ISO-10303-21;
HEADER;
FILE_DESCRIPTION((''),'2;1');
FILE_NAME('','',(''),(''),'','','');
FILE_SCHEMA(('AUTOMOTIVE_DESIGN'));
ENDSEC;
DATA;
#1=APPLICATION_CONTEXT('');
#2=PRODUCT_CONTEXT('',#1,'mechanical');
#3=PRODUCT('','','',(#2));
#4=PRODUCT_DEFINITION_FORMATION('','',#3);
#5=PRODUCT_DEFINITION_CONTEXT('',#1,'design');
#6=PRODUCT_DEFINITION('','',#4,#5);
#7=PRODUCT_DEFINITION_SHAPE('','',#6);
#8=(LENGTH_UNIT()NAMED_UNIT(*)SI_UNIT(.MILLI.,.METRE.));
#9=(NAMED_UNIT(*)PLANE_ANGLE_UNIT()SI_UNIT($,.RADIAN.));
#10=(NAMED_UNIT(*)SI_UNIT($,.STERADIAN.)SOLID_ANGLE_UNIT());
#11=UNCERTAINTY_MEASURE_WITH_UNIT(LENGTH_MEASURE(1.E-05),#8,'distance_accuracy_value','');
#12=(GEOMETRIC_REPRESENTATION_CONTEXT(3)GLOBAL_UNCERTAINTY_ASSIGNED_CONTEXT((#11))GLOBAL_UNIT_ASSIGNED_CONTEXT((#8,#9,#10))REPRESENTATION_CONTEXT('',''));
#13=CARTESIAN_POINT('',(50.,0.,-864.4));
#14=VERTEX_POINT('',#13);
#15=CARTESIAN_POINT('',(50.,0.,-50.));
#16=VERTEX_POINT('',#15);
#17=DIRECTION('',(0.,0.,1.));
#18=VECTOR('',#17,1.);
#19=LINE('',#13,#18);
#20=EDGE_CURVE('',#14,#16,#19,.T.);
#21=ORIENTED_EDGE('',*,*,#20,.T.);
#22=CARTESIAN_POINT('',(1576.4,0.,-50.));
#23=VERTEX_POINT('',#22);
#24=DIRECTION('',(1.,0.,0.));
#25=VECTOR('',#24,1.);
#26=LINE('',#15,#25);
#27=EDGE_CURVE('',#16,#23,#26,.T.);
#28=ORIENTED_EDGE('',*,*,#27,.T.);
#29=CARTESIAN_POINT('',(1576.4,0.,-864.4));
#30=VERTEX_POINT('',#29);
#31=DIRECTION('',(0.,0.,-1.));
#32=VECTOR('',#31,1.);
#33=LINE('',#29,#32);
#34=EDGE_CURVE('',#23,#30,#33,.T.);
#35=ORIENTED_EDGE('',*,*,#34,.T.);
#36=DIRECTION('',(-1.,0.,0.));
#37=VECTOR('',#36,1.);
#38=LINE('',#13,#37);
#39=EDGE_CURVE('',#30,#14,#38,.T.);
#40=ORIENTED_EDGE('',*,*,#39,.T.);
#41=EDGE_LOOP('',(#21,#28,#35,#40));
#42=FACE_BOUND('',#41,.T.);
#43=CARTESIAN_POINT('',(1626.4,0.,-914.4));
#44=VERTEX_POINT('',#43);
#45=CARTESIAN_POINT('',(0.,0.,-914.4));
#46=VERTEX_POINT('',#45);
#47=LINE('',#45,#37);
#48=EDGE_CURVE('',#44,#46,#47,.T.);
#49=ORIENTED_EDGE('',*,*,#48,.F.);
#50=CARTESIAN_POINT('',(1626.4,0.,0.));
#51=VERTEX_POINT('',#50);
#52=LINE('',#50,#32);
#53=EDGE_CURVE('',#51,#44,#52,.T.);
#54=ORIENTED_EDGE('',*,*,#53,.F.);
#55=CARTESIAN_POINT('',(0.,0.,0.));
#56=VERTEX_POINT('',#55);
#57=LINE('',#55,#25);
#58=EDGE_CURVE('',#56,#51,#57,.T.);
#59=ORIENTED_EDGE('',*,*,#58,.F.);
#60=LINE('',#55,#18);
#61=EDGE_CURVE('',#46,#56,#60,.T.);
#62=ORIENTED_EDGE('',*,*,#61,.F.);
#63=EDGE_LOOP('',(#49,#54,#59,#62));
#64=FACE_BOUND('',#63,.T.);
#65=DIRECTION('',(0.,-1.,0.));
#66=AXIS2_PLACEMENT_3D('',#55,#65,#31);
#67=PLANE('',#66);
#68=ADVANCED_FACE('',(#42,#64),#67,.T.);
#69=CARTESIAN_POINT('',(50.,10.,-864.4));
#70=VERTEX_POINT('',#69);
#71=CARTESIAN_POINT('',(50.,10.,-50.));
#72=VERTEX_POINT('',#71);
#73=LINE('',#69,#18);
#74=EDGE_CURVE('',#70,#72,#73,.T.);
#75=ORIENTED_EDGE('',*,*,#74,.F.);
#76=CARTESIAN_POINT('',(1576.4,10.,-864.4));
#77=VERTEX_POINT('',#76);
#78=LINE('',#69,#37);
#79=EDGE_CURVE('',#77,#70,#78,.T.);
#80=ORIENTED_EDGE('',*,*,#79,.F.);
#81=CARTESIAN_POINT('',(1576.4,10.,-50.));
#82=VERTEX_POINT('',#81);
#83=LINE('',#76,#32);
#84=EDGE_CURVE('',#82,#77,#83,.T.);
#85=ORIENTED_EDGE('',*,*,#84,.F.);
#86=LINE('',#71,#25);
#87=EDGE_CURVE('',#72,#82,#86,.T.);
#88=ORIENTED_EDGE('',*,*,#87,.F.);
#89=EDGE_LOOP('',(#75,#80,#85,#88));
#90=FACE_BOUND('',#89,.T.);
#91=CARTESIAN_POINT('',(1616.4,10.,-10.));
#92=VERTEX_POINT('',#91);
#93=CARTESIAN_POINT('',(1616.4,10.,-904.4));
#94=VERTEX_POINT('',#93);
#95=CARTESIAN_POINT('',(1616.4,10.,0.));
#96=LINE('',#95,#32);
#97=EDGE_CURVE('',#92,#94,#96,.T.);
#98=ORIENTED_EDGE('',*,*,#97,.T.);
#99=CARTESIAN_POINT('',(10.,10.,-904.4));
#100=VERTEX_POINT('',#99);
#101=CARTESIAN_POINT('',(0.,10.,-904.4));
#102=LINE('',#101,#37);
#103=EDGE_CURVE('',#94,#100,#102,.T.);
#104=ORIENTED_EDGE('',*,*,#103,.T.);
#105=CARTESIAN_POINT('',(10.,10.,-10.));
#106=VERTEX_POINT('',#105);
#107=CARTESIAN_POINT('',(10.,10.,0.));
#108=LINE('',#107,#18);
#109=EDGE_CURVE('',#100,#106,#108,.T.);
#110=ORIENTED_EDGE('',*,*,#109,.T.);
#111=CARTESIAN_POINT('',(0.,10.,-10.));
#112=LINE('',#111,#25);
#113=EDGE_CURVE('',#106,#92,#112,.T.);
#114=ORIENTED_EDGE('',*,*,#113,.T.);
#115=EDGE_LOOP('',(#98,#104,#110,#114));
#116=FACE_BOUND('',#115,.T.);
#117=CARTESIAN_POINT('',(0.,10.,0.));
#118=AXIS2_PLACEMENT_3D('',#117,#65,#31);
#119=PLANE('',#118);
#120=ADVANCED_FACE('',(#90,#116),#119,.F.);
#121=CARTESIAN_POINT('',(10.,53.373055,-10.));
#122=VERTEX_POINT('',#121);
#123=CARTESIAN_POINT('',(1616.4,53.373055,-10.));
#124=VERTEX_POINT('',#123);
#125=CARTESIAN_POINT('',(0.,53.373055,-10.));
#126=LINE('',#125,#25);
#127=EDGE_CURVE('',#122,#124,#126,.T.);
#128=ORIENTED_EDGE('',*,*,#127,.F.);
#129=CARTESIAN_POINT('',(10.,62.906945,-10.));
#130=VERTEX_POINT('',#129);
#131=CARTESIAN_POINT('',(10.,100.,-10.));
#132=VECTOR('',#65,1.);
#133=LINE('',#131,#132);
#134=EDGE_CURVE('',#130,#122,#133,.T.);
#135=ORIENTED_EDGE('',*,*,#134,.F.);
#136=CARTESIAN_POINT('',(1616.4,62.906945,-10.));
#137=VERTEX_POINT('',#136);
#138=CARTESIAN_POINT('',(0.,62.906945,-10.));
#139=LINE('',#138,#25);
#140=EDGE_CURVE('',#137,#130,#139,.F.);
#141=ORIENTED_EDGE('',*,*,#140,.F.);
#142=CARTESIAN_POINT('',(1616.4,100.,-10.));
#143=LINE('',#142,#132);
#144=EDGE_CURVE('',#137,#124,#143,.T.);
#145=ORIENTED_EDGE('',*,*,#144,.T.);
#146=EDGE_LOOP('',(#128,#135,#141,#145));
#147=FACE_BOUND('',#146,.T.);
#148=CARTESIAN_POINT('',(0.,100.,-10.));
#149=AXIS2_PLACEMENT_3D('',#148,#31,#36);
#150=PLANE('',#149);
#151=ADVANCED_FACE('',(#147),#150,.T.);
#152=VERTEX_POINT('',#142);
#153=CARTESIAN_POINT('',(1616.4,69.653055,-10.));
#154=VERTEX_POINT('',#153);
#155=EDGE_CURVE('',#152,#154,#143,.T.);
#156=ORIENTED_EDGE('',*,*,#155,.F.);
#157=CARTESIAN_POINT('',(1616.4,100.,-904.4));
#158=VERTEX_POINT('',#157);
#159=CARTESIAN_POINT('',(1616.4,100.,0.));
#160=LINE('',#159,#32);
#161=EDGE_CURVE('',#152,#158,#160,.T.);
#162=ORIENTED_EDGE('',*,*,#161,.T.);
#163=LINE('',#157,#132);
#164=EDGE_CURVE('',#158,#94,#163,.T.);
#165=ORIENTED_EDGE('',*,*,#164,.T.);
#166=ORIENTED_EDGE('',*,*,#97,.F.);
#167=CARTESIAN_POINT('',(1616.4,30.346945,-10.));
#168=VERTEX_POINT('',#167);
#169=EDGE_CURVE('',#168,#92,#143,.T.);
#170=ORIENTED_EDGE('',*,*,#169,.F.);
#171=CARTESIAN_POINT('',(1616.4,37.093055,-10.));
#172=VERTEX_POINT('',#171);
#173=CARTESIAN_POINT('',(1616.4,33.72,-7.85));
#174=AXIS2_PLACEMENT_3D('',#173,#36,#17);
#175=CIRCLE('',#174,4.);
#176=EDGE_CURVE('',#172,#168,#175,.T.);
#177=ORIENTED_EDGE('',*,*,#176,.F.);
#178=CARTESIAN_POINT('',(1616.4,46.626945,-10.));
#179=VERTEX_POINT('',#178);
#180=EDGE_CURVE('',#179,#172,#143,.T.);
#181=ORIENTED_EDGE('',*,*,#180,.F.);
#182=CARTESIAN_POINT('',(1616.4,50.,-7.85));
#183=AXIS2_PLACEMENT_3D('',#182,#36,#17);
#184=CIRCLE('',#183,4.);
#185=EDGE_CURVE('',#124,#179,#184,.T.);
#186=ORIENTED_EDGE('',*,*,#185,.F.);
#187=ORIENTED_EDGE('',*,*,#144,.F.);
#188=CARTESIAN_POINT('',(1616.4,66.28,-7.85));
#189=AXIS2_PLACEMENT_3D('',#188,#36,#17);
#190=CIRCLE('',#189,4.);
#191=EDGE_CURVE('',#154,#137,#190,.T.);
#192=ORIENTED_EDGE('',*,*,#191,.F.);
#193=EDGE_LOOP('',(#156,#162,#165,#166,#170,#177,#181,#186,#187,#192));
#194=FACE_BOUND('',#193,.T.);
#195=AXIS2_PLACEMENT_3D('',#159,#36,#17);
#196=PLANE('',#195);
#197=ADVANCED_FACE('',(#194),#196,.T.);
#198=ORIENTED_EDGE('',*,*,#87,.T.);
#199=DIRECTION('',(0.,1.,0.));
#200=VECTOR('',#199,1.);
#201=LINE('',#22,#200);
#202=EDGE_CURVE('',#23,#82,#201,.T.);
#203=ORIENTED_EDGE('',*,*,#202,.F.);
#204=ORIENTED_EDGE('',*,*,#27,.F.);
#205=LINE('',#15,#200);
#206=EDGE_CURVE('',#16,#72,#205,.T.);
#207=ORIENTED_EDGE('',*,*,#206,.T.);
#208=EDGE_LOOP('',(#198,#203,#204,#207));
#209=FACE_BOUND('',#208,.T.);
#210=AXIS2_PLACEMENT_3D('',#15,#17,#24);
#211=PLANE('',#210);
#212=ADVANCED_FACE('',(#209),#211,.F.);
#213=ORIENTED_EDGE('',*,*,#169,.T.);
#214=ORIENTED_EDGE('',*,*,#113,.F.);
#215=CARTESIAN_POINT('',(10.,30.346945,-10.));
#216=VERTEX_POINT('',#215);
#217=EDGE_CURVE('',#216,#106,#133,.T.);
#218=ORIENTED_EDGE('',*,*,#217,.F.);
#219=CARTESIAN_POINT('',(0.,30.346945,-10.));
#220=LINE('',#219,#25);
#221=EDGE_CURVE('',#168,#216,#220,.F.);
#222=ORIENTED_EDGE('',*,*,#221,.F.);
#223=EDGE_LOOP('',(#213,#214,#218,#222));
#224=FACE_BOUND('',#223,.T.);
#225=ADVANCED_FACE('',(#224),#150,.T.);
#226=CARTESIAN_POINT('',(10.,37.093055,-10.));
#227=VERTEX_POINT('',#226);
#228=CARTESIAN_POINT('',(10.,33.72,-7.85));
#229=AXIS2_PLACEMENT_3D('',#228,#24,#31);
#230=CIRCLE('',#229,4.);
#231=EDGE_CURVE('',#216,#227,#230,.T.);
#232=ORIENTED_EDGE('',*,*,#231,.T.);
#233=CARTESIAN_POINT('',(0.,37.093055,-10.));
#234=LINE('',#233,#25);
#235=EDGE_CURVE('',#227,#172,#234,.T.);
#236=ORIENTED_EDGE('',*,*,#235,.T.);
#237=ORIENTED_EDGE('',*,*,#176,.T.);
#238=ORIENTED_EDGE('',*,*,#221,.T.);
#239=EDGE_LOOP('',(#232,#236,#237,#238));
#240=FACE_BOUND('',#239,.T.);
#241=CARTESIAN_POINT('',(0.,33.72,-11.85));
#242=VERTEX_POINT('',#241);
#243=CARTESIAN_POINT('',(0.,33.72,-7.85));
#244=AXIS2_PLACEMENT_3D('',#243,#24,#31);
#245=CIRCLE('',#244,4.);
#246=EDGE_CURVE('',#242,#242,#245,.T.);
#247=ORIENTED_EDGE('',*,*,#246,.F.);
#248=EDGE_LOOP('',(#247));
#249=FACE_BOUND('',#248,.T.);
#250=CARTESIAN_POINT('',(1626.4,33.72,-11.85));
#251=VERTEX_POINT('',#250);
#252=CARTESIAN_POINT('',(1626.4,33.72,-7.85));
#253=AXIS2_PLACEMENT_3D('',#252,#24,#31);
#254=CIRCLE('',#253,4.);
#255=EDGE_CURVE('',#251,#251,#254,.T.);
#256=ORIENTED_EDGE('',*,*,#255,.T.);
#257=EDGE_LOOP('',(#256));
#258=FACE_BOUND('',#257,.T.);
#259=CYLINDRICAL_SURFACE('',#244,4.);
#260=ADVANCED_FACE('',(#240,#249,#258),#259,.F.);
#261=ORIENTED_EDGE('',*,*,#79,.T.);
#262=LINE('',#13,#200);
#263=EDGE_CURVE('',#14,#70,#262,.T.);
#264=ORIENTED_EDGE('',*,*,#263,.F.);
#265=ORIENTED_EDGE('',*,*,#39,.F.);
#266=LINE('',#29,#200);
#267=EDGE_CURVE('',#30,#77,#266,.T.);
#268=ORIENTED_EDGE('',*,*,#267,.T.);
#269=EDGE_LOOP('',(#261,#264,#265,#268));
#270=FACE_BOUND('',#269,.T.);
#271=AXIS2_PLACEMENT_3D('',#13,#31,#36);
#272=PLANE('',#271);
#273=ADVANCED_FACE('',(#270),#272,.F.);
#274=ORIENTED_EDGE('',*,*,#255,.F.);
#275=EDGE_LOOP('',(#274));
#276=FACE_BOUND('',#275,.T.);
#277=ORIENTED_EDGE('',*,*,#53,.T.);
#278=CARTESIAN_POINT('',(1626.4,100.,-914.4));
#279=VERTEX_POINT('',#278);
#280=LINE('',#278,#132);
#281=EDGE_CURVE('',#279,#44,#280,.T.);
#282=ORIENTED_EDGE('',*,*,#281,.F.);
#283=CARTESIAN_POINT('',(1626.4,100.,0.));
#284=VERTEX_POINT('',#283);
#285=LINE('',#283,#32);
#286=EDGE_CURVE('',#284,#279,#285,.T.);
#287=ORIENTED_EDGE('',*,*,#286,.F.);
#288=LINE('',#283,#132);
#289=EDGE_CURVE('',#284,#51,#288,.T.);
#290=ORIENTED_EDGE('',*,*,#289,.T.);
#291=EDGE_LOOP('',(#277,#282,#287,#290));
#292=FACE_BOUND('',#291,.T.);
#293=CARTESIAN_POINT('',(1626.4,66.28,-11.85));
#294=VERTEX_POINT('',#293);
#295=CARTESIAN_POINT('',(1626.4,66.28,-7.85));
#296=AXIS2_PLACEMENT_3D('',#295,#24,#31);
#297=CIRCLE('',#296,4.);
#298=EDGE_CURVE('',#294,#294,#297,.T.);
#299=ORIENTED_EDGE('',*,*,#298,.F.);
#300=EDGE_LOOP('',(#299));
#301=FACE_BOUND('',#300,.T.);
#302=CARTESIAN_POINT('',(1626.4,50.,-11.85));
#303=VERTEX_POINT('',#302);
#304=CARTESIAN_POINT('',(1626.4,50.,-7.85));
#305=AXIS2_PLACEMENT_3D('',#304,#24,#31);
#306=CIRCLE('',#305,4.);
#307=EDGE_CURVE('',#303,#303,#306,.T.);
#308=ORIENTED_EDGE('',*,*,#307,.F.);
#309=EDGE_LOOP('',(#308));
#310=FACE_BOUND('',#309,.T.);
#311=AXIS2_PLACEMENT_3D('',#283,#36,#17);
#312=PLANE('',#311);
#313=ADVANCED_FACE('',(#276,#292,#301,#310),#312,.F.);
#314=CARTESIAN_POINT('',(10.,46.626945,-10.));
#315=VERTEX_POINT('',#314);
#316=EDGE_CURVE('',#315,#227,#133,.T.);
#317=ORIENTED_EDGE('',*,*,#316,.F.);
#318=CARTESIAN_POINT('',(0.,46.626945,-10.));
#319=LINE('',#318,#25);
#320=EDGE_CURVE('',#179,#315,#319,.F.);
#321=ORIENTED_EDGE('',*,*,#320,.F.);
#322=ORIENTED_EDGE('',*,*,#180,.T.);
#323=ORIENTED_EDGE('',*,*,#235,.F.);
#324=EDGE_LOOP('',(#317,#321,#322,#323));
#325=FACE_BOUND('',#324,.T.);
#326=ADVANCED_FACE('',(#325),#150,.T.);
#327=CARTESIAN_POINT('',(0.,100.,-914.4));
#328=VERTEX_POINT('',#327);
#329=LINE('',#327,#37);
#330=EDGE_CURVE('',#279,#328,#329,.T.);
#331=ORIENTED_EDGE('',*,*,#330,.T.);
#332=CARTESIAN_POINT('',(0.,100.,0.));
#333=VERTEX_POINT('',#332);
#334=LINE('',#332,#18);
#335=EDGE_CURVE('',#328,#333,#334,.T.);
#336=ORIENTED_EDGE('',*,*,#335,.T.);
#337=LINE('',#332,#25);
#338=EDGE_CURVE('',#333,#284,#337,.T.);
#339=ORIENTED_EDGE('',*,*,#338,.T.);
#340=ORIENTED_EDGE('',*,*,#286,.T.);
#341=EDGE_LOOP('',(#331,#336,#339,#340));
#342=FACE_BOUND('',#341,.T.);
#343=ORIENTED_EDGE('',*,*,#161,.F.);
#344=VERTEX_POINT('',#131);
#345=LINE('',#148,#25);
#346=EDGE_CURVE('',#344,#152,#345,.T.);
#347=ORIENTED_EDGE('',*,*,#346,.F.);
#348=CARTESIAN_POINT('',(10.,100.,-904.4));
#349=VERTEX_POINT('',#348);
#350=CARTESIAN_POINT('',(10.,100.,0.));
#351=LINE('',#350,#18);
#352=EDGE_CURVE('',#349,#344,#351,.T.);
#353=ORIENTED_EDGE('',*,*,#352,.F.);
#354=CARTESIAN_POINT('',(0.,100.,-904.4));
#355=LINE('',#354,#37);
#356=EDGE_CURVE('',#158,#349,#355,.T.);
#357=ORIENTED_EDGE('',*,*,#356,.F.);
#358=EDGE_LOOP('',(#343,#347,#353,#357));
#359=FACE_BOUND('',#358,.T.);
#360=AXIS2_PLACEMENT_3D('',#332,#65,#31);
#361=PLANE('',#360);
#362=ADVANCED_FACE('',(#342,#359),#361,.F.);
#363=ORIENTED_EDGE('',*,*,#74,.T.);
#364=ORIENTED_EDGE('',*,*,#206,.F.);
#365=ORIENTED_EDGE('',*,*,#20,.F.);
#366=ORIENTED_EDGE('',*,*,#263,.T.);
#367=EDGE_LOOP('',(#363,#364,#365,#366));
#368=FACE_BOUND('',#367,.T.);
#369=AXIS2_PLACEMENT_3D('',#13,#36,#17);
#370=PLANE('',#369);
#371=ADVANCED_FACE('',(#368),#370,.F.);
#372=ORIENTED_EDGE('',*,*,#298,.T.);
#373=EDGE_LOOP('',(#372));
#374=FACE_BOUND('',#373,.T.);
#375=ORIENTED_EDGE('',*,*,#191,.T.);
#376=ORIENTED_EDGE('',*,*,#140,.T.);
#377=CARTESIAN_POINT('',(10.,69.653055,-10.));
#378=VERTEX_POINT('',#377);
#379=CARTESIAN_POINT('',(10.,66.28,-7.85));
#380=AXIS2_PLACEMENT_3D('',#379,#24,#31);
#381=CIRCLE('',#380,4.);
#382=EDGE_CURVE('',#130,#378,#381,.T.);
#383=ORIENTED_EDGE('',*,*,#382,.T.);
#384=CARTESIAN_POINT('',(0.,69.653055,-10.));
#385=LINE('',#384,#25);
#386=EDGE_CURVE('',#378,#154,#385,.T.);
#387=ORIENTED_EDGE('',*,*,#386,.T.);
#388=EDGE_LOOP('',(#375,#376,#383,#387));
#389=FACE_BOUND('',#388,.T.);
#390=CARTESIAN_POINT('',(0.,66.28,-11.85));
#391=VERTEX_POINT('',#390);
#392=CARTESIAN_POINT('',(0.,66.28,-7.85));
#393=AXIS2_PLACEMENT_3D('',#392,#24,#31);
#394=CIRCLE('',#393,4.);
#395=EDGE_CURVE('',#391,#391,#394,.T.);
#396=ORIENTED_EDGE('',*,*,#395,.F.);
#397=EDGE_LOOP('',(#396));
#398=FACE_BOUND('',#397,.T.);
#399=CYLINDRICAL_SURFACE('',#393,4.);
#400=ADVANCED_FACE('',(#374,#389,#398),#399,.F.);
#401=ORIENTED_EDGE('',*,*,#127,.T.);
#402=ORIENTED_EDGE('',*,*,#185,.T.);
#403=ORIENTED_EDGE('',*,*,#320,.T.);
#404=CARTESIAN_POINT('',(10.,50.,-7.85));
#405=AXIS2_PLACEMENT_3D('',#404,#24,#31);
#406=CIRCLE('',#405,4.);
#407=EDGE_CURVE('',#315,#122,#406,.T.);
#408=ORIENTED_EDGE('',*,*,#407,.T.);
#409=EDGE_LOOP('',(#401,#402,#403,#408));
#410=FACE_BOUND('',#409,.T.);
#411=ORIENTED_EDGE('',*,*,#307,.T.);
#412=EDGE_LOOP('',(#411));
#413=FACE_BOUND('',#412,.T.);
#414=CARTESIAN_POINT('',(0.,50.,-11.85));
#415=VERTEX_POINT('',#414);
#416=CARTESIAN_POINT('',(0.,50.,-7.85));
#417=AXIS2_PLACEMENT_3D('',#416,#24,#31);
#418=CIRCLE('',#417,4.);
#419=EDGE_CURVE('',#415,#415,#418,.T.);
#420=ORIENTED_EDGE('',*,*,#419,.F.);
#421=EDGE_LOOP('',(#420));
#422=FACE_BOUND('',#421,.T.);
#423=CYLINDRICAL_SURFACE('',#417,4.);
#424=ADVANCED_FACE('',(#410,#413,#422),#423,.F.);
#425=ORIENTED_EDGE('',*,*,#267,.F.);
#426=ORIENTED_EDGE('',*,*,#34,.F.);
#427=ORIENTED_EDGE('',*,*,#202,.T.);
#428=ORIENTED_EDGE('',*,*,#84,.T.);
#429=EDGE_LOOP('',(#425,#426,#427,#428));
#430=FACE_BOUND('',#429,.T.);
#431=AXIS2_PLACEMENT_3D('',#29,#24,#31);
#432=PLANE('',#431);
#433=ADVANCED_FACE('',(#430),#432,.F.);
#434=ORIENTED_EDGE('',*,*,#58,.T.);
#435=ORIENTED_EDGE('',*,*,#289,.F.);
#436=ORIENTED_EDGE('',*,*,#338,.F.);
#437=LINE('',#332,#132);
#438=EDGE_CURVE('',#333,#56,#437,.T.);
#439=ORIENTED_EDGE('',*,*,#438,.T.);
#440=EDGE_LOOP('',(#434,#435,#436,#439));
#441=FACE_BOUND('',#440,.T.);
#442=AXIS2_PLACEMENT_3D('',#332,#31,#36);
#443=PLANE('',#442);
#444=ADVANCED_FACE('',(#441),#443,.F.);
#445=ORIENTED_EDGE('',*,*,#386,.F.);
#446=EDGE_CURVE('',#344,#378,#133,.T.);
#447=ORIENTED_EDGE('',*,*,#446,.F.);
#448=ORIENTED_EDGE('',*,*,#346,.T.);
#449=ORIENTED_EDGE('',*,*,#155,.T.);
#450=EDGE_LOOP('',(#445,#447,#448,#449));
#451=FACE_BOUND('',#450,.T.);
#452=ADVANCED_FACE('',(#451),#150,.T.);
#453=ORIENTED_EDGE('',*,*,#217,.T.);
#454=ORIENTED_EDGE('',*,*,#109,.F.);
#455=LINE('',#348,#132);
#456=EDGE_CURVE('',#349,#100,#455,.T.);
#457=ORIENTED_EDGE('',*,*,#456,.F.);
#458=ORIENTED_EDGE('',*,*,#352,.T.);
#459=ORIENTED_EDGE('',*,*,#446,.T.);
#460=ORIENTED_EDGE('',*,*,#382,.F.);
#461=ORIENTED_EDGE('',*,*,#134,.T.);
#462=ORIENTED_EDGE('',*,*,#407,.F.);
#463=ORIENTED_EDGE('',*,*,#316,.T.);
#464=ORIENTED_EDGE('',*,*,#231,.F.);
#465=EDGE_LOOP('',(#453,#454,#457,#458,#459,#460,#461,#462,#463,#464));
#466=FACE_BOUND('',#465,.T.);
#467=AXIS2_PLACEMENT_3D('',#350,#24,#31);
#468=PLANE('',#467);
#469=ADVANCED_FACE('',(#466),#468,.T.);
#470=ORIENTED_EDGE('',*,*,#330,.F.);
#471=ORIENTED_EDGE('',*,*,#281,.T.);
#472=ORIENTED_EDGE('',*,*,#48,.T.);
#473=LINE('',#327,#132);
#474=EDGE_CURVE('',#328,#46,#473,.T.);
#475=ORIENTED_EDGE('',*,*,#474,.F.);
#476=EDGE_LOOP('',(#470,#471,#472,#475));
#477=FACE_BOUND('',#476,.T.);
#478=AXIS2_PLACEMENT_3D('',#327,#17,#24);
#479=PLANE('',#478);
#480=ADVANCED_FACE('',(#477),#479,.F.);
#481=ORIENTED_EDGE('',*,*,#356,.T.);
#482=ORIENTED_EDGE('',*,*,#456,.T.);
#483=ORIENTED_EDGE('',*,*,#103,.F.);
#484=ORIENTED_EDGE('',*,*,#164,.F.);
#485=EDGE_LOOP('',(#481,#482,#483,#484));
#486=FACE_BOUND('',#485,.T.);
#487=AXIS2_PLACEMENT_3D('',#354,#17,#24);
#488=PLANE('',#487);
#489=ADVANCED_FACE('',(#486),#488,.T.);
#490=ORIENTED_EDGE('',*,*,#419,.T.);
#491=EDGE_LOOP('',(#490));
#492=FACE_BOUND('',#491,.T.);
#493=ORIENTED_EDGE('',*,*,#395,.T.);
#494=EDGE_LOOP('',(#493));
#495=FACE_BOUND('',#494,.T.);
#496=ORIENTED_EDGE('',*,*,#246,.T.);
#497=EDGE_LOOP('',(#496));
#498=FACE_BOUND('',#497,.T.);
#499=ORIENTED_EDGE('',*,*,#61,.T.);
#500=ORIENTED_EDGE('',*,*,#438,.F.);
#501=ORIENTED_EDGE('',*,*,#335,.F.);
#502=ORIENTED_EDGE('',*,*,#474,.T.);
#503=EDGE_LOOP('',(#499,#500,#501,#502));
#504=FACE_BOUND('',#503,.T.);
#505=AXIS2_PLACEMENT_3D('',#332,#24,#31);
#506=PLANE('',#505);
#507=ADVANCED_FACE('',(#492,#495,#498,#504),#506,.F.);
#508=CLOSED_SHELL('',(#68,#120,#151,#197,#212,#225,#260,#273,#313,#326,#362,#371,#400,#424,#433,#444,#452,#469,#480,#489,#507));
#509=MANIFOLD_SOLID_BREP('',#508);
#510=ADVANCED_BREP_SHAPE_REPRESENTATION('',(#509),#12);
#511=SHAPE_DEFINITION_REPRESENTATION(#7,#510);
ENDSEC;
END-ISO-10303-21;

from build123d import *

# Parameters (mm, degrees)
SKETCH2_W           = 1626.4
SKETCH2_H           = 914.4
BOSS_EXTRUDE1_DEPTH = 100
SHELL1_T            = -10
SKETCH3_W           = 1526.4
SKETCH3_H           = 814.4
CUT_EXTRUDE1_DEPTH  = 1868.994732327
SKETCH5_R           = 4
CUT_EXTRUDE2_DEPTH  = 1869.503229861
SKETCH6_R           = 4
CUT_EXTRUDE3_DEPTH  = 1869.503229861
SKETCH7_R           = 4
CUT_EXTRUDE4_DEPTH  = 1869.503229861


with BuildPart() as part:
    # Sketch2 → Boss-Extrude1 (new body)
    with BuildSketch(Plane(origin=(0, 0, 0), x_dir=(1, 0, 0), z_dir=(0, 1, 0))):
        with Locations((813.2, 457.2)):
            Rectangle(SKETCH2_W, SKETCH2_H)
    extrude(amount=BOSS_EXTRUDE1_DEPTH)

    # Shell1
    shell1_openings = [part.faces().sort_by_distance(p)[0] for p in [
        (813.2, 100, -457.2),
    ]]
    offset(amount=SHELL1_T, openings=shell1_openings, kind=Kind.INTERSECTION)

    # Sketch3 → Cut-Extrude1 (cut, through all)
    with BuildSketch(Plane(origin=(0, 10, 0), x_dir=(1, 0, 0), z_dir=(0, 1, 0))):
        with Locations((813.2, 457.2)):
            Rectangle(SKETCH3_W, SKETCH3_H)
    extrude(amount=-CUT_EXTRUDE1_DEPTH, mode=Mode.SUBTRACT)

    # Sketch5 → Cut-Extrude2 (cut, through all)
    with BuildSketch(Plane(origin=(1626.4, 0, 0), x_dir=(0, 0, -1), z_dir=(1, 0, 0))):
        with Locations((7.85, 50)):
            Circle(SKETCH5_R)
    extrude(amount=-CUT_EXTRUDE2_DEPTH, mode=Mode.SUBTRACT)

    # Sketch6 → Cut-Extrude3 (cut, through all)
    with BuildSketch(Plane(origin=(1626.4, 0, 0), x_dir=(0, 0, -1), z_dir=(1, 0, 0))):
        with Locations((7.85, 66.28)):
            Circle(SKETCH6_R)
    extrude(amount=-CUT_EXTRUDE3_DEPTH, mode=Mode.SUBTRACT)

    # Sketch7 → Cut-Extrude4 (cut, through all)
    with BuildSketch(Plane(origin=(1626.4, 0, 0), x_dir=(0, 0, -1), z_dir=(1, 0, 0))):
        with Locations((7.85, 33.72)):
            Circle(SKETCH7_R)
    extrude(amount=-CUT_EXTRUDE4_DEPTH, mode=Mode.SUBTRACT)


solid = part.part
